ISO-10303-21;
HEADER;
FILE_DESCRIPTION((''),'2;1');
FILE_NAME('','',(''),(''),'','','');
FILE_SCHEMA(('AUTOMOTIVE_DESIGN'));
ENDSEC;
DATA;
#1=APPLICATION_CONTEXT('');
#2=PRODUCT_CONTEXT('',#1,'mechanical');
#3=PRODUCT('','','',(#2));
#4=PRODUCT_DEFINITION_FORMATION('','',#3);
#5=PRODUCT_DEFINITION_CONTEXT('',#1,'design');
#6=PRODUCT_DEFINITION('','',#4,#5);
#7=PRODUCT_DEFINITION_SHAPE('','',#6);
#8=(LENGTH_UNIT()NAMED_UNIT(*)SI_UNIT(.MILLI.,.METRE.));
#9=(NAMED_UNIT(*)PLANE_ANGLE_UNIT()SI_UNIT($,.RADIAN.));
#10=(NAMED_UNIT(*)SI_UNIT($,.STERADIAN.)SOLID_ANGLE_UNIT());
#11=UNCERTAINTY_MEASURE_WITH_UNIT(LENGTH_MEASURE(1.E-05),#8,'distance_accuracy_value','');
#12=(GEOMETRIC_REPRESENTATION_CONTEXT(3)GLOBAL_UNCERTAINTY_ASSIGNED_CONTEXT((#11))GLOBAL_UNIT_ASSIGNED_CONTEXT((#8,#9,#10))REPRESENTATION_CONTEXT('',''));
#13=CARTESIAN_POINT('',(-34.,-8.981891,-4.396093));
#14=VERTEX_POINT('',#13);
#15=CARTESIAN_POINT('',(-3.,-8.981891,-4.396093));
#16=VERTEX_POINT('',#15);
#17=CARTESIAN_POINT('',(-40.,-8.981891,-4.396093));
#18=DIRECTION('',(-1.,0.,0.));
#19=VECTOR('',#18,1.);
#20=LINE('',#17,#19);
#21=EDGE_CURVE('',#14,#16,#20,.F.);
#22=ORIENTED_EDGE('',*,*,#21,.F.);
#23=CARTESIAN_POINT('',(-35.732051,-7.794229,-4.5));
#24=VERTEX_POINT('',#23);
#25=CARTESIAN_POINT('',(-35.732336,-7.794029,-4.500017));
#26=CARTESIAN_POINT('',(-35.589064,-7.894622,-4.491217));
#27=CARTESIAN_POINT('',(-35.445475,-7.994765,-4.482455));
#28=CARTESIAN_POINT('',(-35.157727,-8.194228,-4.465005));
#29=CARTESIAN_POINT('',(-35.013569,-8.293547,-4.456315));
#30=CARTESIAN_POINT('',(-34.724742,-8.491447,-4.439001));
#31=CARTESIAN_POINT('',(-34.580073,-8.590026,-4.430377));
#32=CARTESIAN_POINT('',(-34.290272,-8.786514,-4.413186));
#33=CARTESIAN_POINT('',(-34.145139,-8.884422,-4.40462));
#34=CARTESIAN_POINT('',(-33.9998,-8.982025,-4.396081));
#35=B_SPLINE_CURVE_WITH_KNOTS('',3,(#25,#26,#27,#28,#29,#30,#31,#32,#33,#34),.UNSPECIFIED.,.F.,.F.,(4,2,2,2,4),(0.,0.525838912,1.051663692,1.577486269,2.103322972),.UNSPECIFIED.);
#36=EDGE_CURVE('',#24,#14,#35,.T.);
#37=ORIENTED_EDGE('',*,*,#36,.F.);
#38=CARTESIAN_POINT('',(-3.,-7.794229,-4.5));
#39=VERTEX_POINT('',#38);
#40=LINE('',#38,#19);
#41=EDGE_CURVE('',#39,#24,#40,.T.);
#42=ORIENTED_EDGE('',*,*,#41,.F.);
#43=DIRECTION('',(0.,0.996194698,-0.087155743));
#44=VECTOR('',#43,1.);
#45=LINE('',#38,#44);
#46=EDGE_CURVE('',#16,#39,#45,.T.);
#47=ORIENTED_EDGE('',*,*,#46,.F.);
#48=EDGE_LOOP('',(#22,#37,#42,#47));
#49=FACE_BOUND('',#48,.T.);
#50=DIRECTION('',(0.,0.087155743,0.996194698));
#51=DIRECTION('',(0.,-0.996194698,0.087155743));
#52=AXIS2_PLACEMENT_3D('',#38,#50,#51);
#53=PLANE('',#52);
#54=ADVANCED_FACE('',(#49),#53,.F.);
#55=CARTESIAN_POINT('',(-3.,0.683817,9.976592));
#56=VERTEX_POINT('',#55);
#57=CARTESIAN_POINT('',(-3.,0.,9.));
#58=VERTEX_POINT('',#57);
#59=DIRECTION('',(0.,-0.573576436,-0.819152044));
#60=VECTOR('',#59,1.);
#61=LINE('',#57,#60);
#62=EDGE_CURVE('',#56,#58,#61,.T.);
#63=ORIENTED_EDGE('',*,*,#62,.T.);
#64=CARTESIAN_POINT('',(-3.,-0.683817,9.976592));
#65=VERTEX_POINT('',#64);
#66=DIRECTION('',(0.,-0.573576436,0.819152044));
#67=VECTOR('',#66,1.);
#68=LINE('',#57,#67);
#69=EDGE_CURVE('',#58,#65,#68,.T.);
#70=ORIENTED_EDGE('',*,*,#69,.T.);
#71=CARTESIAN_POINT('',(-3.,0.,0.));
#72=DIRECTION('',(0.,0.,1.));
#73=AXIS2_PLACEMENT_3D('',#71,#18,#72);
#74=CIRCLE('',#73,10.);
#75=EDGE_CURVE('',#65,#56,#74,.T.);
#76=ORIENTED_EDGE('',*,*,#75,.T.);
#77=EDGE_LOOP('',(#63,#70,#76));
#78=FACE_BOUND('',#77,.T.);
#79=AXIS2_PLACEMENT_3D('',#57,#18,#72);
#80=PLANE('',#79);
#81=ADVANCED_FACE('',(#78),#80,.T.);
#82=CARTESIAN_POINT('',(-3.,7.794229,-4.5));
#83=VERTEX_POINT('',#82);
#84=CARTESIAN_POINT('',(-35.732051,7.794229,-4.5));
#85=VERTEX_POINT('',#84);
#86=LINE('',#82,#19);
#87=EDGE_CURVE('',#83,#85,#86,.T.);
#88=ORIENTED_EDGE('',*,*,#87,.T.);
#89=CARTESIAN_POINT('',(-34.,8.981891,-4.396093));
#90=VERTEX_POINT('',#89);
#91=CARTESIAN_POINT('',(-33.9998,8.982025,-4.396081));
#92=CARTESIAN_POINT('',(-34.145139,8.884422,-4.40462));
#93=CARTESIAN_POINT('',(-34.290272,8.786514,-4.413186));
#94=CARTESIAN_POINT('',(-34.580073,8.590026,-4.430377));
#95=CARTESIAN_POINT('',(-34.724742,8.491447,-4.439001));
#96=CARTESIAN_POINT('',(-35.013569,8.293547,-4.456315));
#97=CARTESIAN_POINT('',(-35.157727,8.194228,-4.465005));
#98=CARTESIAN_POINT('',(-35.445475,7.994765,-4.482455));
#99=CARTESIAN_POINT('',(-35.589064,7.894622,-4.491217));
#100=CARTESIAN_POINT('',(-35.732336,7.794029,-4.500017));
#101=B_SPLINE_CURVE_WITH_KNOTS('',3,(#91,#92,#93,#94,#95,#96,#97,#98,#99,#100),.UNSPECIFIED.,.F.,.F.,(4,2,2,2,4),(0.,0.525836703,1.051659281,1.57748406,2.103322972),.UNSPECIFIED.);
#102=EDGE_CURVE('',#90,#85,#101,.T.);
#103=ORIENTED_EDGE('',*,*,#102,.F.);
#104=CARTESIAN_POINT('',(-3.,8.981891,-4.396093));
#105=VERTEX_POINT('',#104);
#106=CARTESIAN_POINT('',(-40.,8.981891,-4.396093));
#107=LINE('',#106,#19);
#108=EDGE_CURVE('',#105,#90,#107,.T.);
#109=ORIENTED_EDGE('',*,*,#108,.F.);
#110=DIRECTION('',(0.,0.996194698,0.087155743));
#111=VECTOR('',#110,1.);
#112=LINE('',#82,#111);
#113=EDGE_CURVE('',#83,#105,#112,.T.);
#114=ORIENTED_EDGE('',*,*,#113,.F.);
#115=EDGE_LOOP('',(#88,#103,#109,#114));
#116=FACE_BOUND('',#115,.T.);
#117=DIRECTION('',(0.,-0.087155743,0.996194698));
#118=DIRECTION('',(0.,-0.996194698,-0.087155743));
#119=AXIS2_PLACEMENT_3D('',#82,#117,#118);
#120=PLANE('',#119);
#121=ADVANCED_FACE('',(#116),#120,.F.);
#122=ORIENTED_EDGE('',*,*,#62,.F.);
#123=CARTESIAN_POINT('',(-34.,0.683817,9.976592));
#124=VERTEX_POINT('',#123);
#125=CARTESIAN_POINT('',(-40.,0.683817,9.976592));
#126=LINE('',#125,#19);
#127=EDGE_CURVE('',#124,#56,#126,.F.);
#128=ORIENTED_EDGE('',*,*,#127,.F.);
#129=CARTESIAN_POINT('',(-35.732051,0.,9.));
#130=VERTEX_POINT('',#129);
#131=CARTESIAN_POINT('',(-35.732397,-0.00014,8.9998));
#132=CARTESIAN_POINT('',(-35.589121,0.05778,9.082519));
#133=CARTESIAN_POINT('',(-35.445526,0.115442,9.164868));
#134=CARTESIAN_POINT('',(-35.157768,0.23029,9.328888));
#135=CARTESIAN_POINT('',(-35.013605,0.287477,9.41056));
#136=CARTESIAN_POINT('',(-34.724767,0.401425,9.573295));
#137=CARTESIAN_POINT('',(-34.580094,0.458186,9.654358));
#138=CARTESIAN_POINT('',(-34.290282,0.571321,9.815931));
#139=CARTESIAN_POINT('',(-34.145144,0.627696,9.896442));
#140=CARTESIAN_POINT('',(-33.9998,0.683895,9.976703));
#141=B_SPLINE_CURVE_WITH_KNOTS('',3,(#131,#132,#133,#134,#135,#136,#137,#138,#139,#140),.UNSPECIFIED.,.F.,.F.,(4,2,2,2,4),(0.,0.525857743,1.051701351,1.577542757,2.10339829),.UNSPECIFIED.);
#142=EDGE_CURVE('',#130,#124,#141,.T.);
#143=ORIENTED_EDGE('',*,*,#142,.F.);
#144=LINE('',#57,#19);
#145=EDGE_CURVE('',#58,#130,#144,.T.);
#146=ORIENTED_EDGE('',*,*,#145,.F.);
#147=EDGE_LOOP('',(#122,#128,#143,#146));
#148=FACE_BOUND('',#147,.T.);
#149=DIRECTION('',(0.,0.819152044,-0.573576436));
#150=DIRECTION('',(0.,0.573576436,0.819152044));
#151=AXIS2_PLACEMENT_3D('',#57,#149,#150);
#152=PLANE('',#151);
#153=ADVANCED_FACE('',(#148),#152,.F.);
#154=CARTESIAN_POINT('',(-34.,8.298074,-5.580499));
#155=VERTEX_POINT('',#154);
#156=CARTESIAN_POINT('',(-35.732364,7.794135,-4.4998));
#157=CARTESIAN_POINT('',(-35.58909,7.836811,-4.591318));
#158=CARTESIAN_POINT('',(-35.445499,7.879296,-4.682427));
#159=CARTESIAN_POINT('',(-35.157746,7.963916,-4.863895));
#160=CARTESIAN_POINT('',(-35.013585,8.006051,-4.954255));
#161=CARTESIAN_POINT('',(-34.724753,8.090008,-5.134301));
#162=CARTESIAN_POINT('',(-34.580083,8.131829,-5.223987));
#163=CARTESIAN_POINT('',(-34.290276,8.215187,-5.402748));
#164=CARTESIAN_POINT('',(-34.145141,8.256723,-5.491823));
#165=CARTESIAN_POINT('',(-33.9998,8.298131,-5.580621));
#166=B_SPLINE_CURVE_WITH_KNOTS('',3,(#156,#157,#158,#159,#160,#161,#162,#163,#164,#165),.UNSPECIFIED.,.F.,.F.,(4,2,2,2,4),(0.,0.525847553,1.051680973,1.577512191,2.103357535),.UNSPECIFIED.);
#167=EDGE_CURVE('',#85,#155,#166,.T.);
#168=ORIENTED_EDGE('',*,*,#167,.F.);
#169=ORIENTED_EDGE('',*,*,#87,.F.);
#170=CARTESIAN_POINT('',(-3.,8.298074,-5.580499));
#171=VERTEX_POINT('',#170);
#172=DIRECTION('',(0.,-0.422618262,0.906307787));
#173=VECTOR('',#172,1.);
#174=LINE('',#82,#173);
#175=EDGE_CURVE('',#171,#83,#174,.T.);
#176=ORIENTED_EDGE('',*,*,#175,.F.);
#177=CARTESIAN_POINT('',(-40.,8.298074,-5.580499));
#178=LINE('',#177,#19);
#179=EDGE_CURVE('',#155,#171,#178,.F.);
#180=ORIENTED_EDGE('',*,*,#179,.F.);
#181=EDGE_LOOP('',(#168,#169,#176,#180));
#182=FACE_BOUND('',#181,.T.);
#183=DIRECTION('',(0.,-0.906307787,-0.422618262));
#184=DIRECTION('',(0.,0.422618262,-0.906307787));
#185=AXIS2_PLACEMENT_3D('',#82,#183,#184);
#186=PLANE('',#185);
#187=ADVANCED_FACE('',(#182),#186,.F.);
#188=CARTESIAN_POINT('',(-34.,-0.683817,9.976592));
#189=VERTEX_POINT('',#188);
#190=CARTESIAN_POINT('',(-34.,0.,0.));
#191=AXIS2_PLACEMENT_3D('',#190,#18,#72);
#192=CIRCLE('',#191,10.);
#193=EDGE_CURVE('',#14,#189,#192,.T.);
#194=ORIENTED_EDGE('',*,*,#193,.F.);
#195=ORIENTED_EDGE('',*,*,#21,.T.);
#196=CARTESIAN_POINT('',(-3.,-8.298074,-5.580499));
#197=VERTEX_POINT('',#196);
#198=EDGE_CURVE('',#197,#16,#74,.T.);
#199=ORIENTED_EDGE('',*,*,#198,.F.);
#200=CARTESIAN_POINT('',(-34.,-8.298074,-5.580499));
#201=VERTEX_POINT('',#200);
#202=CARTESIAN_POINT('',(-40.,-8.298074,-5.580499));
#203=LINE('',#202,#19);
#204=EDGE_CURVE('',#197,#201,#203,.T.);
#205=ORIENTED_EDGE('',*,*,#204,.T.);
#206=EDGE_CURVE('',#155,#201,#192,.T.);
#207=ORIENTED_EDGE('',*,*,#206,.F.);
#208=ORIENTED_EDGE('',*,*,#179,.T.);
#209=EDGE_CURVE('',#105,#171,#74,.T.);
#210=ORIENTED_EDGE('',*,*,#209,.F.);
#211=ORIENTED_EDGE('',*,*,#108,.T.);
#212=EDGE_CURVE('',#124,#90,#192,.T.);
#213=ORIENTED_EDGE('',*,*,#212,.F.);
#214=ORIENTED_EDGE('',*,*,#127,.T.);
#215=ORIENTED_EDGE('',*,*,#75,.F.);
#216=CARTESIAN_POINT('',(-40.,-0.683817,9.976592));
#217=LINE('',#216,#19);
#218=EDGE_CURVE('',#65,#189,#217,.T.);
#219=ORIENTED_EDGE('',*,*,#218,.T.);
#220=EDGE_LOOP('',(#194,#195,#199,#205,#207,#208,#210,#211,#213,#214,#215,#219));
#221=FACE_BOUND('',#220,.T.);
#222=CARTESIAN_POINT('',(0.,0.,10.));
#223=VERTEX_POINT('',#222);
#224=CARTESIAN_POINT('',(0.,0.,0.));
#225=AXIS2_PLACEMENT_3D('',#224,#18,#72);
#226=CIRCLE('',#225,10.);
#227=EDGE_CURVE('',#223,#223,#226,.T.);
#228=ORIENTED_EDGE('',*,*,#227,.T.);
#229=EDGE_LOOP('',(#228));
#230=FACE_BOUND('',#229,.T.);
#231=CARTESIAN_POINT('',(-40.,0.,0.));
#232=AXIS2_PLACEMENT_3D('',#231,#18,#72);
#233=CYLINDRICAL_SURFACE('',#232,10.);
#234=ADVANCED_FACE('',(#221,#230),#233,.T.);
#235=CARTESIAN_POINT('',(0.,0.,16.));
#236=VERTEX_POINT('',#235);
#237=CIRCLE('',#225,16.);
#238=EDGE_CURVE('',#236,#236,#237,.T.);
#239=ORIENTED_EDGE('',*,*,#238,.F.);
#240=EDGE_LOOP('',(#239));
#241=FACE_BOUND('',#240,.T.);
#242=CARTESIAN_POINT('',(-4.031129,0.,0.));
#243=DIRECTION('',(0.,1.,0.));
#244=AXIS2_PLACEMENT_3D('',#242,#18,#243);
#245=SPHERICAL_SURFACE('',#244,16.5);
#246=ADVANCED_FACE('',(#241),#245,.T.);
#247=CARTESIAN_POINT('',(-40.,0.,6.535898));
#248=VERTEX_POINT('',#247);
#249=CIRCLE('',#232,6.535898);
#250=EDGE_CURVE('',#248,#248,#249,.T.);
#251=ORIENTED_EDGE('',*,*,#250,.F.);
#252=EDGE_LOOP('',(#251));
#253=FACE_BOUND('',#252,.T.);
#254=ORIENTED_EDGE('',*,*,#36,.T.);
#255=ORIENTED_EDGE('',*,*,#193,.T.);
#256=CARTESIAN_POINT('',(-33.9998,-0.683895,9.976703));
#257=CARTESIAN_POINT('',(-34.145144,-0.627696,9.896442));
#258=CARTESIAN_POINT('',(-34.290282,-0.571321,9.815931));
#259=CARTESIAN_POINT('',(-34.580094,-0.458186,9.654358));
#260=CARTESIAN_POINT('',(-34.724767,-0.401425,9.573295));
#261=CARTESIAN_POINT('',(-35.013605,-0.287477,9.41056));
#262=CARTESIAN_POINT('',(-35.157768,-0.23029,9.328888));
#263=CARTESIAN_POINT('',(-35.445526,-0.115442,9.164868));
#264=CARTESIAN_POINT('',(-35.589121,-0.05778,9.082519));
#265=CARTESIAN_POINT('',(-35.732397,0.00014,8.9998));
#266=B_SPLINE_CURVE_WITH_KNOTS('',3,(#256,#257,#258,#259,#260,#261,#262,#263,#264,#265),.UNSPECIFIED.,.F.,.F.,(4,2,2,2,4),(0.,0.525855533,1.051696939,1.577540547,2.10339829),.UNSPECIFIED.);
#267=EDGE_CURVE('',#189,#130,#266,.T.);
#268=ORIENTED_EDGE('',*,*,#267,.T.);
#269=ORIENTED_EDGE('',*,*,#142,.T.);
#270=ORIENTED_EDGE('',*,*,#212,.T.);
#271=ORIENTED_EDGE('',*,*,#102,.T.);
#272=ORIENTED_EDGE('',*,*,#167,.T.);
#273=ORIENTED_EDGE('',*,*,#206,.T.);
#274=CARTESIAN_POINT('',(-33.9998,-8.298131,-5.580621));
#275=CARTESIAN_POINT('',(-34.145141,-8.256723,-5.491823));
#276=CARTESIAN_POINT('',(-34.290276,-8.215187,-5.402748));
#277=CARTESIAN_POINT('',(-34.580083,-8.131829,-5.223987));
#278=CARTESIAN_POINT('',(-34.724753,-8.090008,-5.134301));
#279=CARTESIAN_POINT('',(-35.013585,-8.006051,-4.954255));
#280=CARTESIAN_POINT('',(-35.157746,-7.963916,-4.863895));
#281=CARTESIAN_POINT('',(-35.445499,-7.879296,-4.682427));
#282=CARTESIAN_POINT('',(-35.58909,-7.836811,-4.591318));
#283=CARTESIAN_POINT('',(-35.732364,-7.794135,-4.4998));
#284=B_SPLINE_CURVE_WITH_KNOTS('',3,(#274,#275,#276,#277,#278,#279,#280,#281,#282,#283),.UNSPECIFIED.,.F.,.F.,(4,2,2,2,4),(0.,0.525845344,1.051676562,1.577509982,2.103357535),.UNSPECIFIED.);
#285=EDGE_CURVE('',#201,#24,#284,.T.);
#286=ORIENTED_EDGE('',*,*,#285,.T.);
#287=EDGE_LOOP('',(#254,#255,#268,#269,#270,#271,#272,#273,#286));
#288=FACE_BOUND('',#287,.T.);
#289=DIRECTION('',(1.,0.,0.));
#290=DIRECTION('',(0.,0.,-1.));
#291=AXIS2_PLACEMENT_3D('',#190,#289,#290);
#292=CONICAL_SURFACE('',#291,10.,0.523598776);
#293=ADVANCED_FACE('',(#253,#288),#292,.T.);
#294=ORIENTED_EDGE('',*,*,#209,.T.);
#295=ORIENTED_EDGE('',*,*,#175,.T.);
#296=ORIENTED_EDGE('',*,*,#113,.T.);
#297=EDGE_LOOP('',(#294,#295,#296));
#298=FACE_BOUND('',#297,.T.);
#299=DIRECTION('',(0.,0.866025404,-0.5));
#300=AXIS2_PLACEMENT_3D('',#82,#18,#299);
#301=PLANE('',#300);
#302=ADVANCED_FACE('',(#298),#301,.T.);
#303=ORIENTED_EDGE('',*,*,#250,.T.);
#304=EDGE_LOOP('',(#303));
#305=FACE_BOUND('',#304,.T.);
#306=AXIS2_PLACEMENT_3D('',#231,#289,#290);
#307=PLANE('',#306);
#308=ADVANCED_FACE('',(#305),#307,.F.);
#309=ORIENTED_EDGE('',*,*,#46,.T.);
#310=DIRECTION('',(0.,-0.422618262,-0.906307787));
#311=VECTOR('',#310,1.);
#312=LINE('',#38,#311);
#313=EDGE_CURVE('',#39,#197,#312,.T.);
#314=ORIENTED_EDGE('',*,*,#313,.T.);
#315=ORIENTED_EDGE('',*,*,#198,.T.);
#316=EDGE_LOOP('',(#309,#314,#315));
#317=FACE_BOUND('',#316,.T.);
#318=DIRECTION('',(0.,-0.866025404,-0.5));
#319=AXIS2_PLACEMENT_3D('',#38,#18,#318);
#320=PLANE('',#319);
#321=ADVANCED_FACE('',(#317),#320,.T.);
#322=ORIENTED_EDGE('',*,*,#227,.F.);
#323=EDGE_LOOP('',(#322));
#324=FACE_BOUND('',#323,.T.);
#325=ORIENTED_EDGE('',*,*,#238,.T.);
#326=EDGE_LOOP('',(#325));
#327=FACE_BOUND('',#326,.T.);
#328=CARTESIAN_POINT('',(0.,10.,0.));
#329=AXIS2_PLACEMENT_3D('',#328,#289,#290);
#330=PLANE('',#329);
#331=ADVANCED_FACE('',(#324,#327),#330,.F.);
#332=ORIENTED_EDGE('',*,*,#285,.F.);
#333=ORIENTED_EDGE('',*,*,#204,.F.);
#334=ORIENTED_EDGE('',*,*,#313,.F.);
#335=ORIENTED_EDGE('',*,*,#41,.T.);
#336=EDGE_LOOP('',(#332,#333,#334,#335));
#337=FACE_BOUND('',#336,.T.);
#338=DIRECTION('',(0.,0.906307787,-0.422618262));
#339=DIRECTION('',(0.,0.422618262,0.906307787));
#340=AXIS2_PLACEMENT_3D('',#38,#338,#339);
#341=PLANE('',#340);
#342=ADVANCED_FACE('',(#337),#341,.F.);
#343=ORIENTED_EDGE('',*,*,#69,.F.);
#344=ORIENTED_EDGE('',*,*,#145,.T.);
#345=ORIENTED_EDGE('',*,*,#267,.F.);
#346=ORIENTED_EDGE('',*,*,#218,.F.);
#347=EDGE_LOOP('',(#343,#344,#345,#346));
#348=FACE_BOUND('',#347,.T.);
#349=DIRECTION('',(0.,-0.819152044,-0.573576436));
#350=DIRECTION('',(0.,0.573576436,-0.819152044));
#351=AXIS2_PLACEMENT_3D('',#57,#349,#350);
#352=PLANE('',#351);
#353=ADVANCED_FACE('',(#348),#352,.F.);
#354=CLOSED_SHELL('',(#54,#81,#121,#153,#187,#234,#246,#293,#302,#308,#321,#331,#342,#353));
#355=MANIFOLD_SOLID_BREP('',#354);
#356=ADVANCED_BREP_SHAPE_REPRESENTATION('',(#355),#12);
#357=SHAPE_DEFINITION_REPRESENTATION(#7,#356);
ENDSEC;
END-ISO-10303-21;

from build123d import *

# Parameters (mm, degrees)
CUT_EXTRUDE1_DEPTH = 37
CIRPATTERN1_COUNT  = 3


with BuildPart() as part:
    # Sketch1 → Base-Revolve (revolve)
    with BuildSketch(Plane.XY, mode=Mode.PRIVATE) as base_revolve_sk:
        with BuildLine():
            Line((-40, 0), (-40, 6.535898385))
            Line((-40, 6.535898385), (-34, 10))
            Line((-34, 10), (0, 10))
            Line((0, 10), (0, 16))
            ThreePointArc((0, 16), (8.983547964, 10.142395515), (12.468871126, 0))
            Line((12.468871126, 0), (-40, 0))
        make_face()
    revolve(base_revolve_sk.sketch.rotate(Axis((-40, 0, 0), (1, 0, 0)), 90), axis=Axis((-40, 0, 0), (1, 0, 0)))

    # Sketch2 → Cut-Extrude1 (cut)
    with BuildSketch(Plane.ZY.offset(40)):
        Polygon((9, 0), (10, 0.700207538), (10, -0.700207538), align=None)
    cut_extrude1 = extrude(amount=-CUT_EXTRUDE1_DEPTH, mode=Mode.SUBTRACT)

    # CirPattern1: Cut-Extrude1 ×3 about axis
    cirpattern1_axis = Axis((0, 0, 0), (1, 0, 0))
    for i in range(1, CIRPATTERN1_COUNT):
        add(cut_extrude1.rotate(cirpattern1_axis, i * 360 / CIRPATTERN1_COUNT), mode=Mode.SUBTRACT)


solid = part.part
